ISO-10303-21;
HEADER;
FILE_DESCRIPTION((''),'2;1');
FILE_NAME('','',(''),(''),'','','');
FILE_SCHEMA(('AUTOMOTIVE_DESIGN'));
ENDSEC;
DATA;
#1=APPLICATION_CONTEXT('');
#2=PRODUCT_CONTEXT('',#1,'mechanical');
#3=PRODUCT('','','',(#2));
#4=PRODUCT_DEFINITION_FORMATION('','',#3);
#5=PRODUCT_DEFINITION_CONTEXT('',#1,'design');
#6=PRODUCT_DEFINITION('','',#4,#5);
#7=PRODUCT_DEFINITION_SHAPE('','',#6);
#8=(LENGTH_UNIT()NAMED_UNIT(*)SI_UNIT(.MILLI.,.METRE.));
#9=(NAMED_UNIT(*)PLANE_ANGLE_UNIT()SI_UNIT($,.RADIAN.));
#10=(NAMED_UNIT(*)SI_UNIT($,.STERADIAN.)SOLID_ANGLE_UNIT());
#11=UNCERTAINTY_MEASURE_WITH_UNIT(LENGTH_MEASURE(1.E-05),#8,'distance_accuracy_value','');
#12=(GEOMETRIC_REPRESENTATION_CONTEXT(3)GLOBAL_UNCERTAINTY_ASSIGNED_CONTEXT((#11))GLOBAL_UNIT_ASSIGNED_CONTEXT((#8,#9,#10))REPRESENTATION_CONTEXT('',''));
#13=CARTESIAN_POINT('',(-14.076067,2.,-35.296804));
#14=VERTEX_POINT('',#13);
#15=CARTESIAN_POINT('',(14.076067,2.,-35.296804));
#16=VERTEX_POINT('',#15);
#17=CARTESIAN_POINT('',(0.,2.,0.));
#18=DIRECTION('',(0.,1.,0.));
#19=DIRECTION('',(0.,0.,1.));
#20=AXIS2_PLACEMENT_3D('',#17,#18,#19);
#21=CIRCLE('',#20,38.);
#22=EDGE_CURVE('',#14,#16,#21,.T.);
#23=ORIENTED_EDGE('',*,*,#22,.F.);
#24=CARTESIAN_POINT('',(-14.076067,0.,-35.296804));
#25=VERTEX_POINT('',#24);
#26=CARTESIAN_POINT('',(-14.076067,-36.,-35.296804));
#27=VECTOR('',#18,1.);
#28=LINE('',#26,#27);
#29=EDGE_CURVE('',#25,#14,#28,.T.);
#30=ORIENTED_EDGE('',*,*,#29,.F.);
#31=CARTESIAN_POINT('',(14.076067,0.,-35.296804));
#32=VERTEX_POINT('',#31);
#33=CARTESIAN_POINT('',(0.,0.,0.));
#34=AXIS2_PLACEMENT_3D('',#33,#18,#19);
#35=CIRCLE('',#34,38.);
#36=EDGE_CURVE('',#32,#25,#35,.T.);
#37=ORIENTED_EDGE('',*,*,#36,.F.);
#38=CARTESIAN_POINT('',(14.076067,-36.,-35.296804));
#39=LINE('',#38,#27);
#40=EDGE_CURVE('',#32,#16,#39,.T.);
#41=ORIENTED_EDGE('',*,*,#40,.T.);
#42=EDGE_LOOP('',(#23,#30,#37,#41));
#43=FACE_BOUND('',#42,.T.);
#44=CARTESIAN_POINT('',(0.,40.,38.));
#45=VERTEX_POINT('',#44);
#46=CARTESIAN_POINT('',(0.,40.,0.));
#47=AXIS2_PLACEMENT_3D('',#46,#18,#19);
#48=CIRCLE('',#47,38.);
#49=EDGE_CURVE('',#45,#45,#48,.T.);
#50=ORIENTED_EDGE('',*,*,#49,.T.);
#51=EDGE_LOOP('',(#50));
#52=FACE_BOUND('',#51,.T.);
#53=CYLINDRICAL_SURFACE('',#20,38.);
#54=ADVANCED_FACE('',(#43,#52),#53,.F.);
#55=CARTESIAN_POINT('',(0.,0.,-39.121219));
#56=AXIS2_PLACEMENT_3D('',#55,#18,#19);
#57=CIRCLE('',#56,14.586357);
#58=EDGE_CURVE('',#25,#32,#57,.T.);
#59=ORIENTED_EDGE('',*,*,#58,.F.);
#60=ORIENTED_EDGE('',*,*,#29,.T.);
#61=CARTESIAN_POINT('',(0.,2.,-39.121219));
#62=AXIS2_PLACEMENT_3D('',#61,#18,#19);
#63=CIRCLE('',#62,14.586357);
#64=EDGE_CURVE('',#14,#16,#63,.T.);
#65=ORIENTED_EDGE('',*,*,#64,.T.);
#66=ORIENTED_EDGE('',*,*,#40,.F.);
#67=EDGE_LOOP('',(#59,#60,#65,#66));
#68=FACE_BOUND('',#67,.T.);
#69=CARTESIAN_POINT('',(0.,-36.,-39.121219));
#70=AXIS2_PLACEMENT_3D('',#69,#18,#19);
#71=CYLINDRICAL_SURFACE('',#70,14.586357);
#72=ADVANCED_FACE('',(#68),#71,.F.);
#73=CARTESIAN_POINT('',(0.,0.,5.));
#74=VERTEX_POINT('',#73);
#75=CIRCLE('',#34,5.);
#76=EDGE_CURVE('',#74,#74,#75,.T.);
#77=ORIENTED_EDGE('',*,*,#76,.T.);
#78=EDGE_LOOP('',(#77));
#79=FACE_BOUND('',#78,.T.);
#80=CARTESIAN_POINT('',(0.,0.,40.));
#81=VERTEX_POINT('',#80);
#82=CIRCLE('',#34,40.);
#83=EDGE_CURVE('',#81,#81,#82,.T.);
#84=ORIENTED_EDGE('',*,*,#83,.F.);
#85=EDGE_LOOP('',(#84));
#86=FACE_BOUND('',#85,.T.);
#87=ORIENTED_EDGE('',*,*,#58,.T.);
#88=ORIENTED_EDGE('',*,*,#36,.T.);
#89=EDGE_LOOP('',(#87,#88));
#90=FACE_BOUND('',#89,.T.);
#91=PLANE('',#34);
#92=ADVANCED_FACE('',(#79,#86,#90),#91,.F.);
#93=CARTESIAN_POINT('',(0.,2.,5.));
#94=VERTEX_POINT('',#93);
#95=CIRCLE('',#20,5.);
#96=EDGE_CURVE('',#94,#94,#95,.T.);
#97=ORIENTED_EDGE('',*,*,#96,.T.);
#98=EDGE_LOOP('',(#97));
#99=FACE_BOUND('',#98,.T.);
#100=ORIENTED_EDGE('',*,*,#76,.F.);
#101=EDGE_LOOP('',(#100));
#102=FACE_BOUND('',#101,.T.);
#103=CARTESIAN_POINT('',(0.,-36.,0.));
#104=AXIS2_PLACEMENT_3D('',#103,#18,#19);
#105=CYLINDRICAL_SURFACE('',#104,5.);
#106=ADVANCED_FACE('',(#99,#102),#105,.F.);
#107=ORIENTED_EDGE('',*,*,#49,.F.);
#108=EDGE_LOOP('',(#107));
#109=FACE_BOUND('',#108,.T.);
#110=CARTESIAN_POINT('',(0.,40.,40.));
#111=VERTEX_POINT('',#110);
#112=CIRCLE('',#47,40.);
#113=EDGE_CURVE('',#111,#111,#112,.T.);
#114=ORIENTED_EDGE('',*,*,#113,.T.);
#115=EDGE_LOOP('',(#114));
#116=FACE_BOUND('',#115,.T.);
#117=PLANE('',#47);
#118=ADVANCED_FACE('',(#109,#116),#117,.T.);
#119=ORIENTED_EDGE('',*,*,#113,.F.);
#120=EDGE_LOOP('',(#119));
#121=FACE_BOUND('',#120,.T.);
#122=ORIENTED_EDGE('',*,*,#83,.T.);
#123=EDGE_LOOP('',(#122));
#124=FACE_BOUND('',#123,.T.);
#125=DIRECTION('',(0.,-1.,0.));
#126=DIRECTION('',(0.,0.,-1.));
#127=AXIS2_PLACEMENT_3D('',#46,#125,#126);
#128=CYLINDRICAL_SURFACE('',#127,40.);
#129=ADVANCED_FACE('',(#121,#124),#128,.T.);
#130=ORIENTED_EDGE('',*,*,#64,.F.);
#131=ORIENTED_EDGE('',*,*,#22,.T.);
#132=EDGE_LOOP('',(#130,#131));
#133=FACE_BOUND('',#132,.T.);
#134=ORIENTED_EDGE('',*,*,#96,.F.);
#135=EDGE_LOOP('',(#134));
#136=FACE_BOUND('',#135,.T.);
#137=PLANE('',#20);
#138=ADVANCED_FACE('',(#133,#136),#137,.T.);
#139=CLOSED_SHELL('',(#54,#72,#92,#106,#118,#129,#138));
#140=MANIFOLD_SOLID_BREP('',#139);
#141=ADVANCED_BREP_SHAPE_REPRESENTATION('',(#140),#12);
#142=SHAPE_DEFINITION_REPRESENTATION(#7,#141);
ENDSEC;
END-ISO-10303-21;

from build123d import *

# Parameters (mm, degrees)
SKETCH1_R           = 40
BOSS_EXTRUDE1_DEPTH = 40
SKETCH2_R           = 38
CUT_EXTRUDE1_DEPTH  = 38
CUT_EXTRUDE2_DEPTH  = 38
SKETCH4_R           = 5
CUT_EXTRUDE3_DEPTH  = 38


with BuildPart() as part:
    # Sketch1 → Boss-Extrude1 (new body)
    with BuildSketch(Plane(origin=(0, 0, 0), x_dir=(1, 0, 0), z_dir=(0, 1, 0))):
        with Locations(Location((0, 0, 0), (0, 0, 270))):
            Circle(SKETCH1_R)
    extrude(amount=BOSS_EXTRUDE1_DEPTH)

    # Sketch2 → Cut-Extrude1 (cut)
    with BuildSketch(Plane(origin=(0, 40, 0), x_dir=(1, 0, 0), z_dir=(0, 1, 0))):
        with Locations(Location((0, 0, 0), (0, 0, 270))):
            Circle(SKETCH2_R)
    extrude(amount=-CUT_EXTRUDE1_DEPTH, mode=Mode.SUBTRACT)

    # Sketch3 → Cut-Extrude2 (cut)
    with BuildSketch(Plane(origin=(0, 2, 0), x_dir=(1, 0, 0), z_dir=(0, 1, 0))):
        with BuildLine():
            ThreePointArc((-14.076066703, 35.296803626), (0, 24.534862453), (14.076066703, 35.296803626))
            ThreePointArc((14.076066703, 35.296803626), (0, 38), (-14.076066703, 35.296803626))
        make_face()
    extrude(amount=-CUT_EXTRUDE2_DEPTH, mode=Mode.SUBTRACT)

    # Sketch4 → Cut-Extrude3 (cut)
    with BuildSketch(Plane(origin=(0, 2, 0), x_dir=(1, 0, 0), z_dir=(0, 1, 0))):
        with Locations(Location((0, 0, 0), (0, 0, 270))):
            Circle(SKETCH4_R)
    extrude(amount=-CUT_EXTRUDE3_DEPTH, mode=Mode.SUBTRACT)


solid = part.part
